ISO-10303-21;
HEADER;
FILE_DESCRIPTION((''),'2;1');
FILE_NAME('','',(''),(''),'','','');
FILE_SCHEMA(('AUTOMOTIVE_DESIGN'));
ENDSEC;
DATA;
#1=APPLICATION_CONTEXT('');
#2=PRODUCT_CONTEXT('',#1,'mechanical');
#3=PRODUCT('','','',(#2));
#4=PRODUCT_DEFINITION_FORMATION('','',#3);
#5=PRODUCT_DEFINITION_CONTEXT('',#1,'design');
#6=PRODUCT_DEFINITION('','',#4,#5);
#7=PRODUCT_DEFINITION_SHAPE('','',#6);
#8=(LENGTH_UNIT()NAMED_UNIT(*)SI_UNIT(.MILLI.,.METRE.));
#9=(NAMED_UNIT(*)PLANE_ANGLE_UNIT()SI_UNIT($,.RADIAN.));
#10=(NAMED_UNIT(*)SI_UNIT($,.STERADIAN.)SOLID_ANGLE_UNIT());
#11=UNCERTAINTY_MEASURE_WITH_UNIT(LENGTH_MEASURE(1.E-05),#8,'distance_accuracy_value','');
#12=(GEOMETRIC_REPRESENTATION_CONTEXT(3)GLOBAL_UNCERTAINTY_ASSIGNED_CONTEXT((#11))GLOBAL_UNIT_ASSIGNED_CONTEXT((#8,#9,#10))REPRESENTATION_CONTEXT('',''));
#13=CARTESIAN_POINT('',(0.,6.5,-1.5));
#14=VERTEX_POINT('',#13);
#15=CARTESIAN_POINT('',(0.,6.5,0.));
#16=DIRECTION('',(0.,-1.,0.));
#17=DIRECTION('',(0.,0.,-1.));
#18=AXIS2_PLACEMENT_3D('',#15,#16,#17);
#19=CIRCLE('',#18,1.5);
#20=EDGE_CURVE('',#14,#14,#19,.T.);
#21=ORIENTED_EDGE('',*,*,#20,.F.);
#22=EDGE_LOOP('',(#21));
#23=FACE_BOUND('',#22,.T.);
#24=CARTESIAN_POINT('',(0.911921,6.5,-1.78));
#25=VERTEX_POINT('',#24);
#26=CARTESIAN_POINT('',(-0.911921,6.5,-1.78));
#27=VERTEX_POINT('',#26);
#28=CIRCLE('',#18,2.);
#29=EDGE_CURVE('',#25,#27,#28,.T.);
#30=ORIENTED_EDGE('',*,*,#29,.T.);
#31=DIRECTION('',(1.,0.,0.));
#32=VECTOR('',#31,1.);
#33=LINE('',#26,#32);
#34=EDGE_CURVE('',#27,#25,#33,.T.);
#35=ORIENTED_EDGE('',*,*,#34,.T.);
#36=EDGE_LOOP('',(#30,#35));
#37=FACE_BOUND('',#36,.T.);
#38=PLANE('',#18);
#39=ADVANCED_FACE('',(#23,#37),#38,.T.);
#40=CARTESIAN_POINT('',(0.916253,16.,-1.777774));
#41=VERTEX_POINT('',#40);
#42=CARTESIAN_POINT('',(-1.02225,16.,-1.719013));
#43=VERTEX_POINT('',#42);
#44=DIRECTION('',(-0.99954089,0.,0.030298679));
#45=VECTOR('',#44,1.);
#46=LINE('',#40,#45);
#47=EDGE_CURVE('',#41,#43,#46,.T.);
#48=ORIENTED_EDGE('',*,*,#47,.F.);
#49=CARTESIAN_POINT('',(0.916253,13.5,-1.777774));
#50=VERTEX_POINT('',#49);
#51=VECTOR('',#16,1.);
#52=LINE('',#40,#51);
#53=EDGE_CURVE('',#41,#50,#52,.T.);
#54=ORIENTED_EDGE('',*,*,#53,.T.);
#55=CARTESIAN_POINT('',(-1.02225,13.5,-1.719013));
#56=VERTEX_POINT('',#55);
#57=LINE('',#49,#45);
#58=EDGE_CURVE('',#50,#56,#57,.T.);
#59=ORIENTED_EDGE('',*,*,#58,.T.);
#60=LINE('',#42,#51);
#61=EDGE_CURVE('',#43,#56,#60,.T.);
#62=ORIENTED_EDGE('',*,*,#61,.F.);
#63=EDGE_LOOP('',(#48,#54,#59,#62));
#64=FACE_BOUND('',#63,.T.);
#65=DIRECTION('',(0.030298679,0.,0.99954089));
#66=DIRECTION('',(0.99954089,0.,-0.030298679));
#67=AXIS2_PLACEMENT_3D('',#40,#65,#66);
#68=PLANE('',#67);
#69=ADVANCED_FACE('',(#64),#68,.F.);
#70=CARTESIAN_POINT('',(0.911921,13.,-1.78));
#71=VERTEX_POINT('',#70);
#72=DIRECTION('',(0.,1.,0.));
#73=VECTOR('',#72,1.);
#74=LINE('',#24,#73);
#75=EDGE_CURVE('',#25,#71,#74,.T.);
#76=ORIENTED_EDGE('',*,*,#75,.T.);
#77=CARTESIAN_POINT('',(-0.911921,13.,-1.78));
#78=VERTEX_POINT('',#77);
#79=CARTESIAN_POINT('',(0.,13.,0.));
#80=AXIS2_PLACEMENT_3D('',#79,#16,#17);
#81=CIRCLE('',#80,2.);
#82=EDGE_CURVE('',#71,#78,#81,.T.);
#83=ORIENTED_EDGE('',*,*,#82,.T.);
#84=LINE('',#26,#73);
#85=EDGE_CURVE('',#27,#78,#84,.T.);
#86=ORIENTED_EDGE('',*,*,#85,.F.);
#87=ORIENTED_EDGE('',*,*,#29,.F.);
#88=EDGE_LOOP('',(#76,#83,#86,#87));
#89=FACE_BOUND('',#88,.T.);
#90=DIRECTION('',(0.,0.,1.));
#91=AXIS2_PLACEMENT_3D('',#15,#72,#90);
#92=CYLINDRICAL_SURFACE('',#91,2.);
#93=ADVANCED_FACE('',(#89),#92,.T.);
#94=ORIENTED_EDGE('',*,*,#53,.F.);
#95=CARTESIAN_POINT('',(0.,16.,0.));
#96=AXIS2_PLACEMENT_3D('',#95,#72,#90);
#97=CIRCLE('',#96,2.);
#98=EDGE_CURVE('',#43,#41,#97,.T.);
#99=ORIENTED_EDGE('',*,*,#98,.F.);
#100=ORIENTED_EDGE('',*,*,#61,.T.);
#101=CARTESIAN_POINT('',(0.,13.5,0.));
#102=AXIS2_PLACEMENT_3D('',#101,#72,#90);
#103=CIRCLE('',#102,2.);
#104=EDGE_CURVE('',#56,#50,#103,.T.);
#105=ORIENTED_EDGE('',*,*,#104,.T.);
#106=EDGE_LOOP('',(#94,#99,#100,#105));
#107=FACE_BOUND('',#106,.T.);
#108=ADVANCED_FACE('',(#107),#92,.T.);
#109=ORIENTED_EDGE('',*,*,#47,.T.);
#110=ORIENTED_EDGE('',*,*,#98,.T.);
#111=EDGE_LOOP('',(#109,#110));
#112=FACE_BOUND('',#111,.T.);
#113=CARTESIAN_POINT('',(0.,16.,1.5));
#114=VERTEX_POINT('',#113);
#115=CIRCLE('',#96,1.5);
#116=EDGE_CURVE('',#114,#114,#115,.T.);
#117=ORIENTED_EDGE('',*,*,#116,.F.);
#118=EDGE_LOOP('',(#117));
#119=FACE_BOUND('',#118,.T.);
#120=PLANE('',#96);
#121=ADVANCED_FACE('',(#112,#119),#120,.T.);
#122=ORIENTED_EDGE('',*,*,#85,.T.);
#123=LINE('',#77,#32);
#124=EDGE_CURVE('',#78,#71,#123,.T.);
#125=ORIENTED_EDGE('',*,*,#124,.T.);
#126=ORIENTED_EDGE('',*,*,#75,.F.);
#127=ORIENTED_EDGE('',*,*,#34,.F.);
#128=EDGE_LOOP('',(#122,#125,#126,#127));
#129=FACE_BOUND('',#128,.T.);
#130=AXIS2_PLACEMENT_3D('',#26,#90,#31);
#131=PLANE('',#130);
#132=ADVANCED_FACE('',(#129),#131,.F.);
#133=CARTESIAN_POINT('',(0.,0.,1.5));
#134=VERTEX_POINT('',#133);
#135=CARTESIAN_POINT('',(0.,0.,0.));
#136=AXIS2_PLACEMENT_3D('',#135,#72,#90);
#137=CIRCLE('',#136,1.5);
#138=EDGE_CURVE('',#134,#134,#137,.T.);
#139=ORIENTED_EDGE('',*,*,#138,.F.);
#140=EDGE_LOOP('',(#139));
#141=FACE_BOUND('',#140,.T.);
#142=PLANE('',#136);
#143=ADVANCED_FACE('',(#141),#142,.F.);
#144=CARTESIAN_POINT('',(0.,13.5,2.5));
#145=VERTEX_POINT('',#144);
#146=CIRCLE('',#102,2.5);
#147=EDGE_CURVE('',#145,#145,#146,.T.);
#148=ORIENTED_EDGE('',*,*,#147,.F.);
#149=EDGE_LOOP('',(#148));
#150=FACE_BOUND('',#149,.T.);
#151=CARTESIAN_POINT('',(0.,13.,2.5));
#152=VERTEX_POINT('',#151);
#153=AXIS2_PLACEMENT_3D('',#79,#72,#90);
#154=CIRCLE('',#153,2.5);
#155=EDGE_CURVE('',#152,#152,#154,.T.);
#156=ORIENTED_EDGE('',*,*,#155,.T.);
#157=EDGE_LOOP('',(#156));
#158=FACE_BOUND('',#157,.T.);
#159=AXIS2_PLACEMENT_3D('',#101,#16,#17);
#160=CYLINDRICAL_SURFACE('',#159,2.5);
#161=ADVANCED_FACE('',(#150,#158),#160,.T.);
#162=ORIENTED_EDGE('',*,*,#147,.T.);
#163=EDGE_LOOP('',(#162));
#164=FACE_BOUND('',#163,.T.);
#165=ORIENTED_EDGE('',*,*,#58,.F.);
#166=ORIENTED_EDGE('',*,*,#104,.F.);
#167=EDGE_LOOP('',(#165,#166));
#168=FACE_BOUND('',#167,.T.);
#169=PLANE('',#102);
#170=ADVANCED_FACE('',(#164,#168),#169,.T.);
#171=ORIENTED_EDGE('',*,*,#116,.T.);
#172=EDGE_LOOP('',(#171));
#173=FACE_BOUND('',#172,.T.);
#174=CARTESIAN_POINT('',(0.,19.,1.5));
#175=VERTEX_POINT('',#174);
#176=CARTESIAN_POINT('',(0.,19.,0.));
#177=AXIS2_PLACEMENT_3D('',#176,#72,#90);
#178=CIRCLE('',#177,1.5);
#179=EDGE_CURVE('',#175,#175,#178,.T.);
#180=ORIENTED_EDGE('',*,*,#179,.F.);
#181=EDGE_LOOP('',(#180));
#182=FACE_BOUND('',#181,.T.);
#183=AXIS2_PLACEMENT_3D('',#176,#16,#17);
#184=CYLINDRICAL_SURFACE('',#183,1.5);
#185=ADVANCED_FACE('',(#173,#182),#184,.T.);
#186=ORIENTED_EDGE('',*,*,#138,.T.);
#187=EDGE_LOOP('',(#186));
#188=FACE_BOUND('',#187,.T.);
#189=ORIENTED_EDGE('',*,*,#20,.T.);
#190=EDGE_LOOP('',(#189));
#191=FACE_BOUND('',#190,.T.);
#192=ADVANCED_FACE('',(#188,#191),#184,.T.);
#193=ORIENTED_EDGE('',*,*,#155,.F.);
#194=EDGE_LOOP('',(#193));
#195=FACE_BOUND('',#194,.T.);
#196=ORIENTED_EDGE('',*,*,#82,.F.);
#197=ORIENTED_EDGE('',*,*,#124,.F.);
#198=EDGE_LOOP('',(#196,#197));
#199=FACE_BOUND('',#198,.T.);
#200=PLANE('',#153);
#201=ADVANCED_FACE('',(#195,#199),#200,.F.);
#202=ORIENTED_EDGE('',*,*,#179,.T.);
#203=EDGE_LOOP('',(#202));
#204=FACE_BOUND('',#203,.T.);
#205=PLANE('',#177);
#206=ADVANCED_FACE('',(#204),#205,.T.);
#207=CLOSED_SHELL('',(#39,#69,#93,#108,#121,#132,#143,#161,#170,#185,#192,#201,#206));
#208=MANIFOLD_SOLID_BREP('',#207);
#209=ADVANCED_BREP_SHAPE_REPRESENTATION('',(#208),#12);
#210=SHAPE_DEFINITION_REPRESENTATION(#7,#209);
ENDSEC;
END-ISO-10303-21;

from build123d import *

# Parameters (mm, degrees)
SKETCH_1_R      = 1.5
EXTRUDE_1_DEPTH = 19
EXTRUDE_START   = 6.5
SKETCH_2_R      = 1.5
EXTRUDE_2_DEPTH = 6.5
SKETCH_3_R      = 1.5
EXTRUDE_3_DEPTH = 3
SKETCH_4_R      = 2.5
SKETCH_4_R_2    = 1.5
EXTRUDE_4_DEPTH = 0.5


with BuildPart() as part:
    # 草图1 → 凸台-拉伸1 (new body)
    with BuildSketch(Plane(origin=(0, 0, 0), x_dir=(1, 0, 0), z_dir=(0, 1, 0))):
        with Locations(Location((0, 0, 0), (0, 0, 270))):
            Circle(SKETCH_1_R)
    extrude(amount=EXTRUDE_1_DEPTH)

    # 草图2 → 凸台-拉伸2 (add)
    with BuildSketch(Plane(origin=(0, 13, 0), x_dir=(-1, 0, 0), z_dir=(0, -1, 0)).offset(EXTRUDE_START)):
        with BuildLine():
            Line((0.911921049, 1.78), (-0.911921049, 1.78))
            ThreePointArc((-0.911921049, 1.78), (0, -2), (0.911921049, 1.78))
        make_face()
        with Locations(Location((0, 0, 0), (0, 0, 90))):
            Circle(SKETCH_2_R, mode=Mode.SUBTRACT)
    extrude(amount=-EXTRUDE_2_DEPTH)

    # 草图3 → 凸台-拉伸3 (add)
    with BuildSketch(Plane(origin=(0, 13, 0), x_dir=(1, 0, 0), z_dir=(0, 1, 0))):
        with BuildLine():
            Line((0.91625301, 1.777774007), (-1.022249701, 1.719012958))
            ThreePointArc((-1.022249701, 1.719012958), (0.060597358, -1.999081779), (0.91625301, 1.777774007))
        make_face()
        with Locations(Location((0, 0, 0), (0, 0, 90))):
            Circle(SKETCH_3_R, mode=Mode.SUBTRACT)
    extrude(amount=EXTRUDE_3_DEPTH)

    # 草图4 → 凸台-拉伸4 (add)
    with BuildSketch(Plane(origin=(0, 13, 0), x_dir=(1, 0, 0), z_dir=(0, 1, 0))):
        with Locations(Location((0, 0, 0), (0, 0, 270))):
            Circle(SKETCH_4_R)
        with Locations(Location((0, 0, 0), (0, 0, 90))):
            Circle(SKETCH_4_R_2, mode=Mode.SUBTRACT)
    extrude(amount=EXTRUDE_4_DEPTH)


solid = part.part
